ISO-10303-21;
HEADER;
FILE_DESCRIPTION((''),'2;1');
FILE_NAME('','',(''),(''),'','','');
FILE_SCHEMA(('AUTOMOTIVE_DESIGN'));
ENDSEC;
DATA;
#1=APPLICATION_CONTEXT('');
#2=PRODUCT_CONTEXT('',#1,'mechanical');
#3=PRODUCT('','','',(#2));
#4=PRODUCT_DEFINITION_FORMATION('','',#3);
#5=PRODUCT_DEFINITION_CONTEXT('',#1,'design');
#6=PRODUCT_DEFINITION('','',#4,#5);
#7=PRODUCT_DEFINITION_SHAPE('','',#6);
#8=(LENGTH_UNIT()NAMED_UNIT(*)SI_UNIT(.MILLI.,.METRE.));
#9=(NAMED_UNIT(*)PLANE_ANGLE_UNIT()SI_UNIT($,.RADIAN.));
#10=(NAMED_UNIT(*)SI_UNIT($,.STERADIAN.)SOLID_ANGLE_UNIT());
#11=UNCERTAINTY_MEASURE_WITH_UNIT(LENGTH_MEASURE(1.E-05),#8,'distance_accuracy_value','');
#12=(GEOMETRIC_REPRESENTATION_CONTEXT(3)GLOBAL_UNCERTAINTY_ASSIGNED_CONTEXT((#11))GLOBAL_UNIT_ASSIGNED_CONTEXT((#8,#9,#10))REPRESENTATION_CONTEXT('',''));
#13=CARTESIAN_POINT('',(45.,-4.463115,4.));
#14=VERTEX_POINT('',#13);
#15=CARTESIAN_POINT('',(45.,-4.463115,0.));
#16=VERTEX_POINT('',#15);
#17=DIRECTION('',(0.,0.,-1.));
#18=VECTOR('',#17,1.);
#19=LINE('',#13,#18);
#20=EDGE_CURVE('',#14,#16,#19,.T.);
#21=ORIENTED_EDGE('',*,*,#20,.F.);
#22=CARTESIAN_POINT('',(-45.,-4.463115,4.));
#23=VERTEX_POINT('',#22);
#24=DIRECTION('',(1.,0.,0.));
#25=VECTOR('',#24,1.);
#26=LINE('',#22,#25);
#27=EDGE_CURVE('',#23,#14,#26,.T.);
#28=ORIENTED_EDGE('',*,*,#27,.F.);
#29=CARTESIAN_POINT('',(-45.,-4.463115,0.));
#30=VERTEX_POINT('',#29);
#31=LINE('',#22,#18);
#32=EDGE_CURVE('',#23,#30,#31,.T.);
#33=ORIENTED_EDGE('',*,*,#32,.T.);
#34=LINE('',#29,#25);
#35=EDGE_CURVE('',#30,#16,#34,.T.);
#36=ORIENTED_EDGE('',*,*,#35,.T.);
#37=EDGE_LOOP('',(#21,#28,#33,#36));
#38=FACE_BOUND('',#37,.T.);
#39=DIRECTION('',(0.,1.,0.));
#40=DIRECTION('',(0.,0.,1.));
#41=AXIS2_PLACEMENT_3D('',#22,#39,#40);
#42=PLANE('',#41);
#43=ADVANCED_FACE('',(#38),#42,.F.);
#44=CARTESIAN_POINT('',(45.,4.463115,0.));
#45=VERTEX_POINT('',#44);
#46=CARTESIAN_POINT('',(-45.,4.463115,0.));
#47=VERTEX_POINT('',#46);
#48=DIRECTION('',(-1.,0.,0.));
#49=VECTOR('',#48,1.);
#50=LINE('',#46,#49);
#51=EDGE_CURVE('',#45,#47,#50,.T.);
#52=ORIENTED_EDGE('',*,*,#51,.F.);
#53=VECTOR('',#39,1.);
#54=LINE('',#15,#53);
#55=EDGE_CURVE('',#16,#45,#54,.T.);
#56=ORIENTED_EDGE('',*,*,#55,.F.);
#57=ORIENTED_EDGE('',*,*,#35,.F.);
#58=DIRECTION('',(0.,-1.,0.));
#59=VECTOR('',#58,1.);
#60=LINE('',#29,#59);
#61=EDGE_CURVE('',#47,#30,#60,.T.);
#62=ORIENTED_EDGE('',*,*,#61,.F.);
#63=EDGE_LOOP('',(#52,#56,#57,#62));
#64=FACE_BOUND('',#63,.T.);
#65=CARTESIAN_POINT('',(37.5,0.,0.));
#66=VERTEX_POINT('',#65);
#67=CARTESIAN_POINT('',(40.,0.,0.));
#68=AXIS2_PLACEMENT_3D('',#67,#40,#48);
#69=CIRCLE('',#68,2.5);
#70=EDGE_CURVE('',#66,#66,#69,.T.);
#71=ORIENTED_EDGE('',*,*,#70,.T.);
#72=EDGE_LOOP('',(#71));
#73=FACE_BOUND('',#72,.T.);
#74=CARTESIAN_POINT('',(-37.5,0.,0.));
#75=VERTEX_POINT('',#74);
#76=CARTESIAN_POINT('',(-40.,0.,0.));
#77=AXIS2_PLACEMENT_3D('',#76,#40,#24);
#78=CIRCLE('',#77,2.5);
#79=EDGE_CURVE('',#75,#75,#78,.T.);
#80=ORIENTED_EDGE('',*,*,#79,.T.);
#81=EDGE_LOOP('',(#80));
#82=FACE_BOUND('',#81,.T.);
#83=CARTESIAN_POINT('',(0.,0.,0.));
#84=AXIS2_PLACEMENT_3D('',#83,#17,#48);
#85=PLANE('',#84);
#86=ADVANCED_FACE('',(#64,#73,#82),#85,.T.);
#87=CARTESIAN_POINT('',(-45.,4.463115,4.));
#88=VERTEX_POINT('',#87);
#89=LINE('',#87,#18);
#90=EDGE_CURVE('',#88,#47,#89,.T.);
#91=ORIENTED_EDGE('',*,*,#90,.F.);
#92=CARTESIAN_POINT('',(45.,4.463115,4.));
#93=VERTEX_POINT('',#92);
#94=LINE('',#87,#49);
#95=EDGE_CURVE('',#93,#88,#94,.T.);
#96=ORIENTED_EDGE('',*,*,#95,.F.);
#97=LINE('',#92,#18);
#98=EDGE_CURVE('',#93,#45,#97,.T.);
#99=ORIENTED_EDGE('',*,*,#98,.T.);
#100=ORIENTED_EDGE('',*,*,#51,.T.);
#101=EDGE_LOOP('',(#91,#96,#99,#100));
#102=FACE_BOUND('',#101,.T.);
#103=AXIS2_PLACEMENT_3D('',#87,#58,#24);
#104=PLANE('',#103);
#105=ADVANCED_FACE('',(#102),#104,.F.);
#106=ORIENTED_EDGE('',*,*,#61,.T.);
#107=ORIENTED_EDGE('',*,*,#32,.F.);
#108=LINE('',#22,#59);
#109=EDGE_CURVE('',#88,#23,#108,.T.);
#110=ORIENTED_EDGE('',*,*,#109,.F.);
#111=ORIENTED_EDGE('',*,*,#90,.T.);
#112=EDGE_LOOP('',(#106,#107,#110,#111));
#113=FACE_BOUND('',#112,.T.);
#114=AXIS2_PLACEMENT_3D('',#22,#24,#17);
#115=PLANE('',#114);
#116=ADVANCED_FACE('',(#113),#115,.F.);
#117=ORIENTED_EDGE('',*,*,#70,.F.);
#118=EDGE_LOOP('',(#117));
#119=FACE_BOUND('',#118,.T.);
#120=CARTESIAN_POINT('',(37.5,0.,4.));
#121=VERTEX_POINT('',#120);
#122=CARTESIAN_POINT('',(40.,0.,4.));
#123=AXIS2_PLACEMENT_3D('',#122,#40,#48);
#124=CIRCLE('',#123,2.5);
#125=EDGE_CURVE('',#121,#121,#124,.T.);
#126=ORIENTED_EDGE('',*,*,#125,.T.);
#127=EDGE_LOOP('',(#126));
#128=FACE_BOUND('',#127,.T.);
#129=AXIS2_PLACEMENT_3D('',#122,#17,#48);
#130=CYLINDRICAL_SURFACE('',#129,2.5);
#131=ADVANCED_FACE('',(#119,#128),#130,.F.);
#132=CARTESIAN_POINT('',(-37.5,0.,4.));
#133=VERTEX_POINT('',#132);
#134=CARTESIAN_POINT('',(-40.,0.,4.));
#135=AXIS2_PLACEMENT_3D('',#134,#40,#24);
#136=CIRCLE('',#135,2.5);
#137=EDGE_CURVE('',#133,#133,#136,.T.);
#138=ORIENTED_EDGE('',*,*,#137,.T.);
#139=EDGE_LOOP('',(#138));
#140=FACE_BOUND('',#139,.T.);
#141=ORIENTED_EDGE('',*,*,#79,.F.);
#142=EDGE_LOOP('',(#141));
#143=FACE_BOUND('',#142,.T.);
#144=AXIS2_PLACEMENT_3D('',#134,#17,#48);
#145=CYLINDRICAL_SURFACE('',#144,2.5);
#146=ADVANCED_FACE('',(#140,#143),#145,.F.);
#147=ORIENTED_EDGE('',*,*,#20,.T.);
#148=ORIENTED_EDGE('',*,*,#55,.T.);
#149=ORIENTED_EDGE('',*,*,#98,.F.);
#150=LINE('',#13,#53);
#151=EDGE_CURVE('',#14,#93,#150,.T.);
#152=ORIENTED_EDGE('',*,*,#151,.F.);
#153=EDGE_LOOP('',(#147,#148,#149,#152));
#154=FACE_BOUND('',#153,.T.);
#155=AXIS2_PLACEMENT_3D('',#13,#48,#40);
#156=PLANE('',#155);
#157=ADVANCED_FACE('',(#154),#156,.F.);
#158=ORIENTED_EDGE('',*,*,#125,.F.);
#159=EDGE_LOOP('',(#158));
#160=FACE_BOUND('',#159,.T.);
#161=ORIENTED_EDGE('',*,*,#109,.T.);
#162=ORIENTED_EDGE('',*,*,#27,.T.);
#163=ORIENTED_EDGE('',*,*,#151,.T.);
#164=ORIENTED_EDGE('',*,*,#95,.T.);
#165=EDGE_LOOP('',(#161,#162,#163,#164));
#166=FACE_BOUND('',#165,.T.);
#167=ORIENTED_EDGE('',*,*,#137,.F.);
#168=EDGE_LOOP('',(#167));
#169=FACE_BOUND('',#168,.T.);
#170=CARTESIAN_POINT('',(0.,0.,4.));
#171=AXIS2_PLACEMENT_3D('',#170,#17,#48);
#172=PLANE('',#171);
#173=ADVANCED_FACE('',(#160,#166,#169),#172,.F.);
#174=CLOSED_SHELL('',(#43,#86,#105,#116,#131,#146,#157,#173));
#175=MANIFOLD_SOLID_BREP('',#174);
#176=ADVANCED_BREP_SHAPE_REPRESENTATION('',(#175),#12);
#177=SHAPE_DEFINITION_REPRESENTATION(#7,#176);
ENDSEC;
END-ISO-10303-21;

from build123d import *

# Parameters (mm, degrees)
ESQUISSE1_W = 90
ESQUISSE1_H = 8.926229508
ESQUISSE1_R = 2.5
BASE_DEPTH  = 4


with BuildPart() as part:
    # Esquisse1 → BASE (new body)
    with BuildSketch(Plane.XY):
        Rectangle(ESQUISSE1_W, ESQUISSE1_H)
        with Locations((-40, 0)):
            Circle(ESQUISSE1_R, mode=Mode.SUBTRACT)
        with Locations(Location((40, 0, 0), (0, 0, 180))):
            Circle(ESQUISSE1_R, mode=Mode.SUBTRACT)
    extrude(amount=BASE_DEPTH)


solid = part.part
